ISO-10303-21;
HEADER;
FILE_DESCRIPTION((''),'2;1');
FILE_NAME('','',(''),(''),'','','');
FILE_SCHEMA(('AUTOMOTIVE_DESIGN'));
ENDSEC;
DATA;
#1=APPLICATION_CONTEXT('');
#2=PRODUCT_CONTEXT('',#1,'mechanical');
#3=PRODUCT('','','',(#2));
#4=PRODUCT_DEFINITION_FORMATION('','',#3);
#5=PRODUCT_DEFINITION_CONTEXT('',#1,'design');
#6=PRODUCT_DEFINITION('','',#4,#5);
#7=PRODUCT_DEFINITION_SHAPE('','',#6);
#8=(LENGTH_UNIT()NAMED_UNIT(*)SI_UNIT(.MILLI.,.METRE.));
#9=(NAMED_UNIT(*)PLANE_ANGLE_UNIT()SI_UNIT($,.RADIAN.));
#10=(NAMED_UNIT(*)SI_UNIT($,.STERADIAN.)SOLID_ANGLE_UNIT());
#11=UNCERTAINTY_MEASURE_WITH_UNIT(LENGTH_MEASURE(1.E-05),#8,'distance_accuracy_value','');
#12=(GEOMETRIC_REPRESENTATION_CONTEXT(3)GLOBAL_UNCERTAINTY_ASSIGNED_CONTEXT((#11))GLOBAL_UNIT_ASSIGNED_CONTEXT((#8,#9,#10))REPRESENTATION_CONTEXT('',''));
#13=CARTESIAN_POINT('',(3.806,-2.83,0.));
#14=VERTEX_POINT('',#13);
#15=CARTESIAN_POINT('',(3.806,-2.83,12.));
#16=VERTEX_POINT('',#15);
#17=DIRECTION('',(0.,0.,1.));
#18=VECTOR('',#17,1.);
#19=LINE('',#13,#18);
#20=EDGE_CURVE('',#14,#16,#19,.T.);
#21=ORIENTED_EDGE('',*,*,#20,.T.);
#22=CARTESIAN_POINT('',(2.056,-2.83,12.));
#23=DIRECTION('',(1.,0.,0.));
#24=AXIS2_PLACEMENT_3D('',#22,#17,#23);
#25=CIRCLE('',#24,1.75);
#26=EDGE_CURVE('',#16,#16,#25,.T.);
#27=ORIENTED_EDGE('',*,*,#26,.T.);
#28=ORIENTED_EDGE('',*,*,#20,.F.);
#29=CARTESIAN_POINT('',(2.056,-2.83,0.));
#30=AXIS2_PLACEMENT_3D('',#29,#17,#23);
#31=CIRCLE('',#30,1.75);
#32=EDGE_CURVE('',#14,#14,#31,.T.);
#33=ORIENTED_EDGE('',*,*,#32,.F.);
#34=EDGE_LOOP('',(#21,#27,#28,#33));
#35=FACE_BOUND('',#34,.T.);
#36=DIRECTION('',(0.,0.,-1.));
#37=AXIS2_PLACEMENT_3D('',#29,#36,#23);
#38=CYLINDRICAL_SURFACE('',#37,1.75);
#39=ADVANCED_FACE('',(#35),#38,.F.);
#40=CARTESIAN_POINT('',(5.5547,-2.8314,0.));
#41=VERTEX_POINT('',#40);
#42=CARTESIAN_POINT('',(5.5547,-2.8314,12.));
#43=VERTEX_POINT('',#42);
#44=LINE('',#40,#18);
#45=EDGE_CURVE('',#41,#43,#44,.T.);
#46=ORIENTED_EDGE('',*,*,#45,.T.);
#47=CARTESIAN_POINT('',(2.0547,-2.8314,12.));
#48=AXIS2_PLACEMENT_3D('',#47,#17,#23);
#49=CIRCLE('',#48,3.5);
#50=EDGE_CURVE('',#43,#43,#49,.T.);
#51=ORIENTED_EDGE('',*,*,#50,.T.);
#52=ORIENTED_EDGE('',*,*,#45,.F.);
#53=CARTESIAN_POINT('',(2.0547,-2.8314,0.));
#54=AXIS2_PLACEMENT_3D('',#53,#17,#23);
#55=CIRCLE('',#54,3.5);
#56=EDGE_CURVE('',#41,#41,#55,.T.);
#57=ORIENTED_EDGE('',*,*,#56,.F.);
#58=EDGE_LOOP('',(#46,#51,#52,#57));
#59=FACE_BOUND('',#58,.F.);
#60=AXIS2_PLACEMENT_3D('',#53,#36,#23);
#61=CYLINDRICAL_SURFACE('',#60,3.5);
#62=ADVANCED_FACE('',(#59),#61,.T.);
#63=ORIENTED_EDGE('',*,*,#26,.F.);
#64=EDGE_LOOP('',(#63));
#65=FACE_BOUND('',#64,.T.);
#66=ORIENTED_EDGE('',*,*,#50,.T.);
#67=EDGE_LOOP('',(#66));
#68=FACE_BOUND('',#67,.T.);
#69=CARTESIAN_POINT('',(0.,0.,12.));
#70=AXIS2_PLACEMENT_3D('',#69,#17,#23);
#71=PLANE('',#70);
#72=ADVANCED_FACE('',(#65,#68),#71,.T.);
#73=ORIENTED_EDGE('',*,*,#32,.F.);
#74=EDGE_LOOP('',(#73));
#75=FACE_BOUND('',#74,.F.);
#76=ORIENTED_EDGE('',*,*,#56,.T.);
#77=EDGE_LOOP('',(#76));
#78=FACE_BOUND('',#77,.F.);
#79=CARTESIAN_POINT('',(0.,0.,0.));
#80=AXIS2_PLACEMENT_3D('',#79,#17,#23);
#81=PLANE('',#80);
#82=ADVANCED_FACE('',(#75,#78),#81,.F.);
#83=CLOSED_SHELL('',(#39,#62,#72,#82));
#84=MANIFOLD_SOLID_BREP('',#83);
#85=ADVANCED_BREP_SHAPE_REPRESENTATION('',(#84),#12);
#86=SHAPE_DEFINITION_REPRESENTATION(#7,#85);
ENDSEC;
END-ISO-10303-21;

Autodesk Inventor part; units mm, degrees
ref_plane "YZ Plane" through (0, 0, 0) normal (1, 0, 0) x (0, 1, 0)
ref_plane "XZ Plane" through (0, 0, 0) normal (0, 1, 0) x (-1, 0, 0)
ref_plane "XY Plane" through (0, 0, 0) normal (0, 0, 1) x (1, 0, 0)
sketch "Szkic1" plane through (0, 0, 0) normal (0, 0, 1) x (1, 0, 0)
  circle A0 centre (2.056, -2.83) radius 1.75
  circle A1 centre (2.0547, -2.8314) radius 3.5
  point P0 (0, 0)
  point P1 (2.0561, -2.83)
  dimension "d2" = 7
  dimension "d3" = 3.5
extrude "Wyciągnięcie proste1" add sketch "Szkic1" along normal blind 12
properties part number "CircularStandOff"
